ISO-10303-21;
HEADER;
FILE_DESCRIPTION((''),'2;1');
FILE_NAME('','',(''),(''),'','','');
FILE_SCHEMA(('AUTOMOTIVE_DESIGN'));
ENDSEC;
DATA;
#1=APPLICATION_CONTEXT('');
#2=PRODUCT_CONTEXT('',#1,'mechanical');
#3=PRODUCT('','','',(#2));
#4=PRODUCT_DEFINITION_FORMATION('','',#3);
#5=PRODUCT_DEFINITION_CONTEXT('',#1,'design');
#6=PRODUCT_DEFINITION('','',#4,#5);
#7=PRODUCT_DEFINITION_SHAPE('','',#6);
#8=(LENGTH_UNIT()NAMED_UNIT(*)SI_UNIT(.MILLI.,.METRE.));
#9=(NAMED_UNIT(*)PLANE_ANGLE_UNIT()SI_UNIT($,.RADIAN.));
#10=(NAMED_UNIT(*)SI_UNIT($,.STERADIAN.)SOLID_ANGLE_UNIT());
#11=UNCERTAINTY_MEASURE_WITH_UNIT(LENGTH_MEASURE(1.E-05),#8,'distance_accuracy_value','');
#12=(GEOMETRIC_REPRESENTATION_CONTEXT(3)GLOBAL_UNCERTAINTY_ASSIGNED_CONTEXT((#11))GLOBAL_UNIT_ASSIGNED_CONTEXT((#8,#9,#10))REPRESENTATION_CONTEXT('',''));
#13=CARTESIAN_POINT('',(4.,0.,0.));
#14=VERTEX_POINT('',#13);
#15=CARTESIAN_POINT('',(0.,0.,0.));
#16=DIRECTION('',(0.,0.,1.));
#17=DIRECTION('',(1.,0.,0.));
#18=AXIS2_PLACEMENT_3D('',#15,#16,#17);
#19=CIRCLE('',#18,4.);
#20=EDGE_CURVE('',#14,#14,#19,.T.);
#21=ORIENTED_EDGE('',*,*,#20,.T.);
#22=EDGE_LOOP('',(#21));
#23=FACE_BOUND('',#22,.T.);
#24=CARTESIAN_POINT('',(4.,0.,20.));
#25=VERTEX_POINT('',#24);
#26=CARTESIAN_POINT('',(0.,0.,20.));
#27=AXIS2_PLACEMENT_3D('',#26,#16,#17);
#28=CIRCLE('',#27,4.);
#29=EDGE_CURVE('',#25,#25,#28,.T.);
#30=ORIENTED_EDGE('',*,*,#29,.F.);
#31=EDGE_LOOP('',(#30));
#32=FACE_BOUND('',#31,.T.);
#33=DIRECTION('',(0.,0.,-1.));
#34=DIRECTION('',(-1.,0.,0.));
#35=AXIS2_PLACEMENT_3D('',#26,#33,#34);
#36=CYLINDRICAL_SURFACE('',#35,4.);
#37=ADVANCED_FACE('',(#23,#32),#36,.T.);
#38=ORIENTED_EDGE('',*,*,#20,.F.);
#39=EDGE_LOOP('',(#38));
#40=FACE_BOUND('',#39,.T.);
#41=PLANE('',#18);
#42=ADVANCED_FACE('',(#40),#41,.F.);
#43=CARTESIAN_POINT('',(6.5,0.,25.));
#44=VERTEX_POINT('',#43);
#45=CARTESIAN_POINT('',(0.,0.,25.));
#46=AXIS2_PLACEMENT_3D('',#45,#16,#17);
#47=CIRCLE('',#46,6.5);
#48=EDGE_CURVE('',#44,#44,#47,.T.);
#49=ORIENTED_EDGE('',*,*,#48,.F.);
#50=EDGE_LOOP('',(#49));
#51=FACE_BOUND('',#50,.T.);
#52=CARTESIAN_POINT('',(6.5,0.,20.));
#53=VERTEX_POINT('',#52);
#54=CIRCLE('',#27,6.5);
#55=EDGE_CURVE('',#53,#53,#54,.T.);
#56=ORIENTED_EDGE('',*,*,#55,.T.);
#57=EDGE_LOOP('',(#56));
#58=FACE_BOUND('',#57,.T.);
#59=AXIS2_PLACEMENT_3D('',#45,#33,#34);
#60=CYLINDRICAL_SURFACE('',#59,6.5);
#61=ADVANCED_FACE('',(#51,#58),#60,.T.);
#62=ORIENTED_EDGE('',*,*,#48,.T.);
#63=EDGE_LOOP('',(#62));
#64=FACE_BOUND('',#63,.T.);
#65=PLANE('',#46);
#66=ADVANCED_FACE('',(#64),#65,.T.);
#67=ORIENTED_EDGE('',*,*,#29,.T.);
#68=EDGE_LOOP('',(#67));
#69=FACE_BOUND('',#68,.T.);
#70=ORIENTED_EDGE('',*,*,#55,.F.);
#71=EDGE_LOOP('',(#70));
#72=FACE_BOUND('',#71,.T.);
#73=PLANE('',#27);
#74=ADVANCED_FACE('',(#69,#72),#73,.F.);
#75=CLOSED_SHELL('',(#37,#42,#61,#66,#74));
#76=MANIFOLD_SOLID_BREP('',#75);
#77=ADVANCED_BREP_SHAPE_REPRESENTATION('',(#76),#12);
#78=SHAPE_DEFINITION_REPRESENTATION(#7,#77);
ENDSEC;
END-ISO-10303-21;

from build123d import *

# Parameters (mm, degrees)
ESQUISSE1_R        = 4
BOSS_EXTRU_1_DEPTH = 20
ESQUISSE2_R        = 6.5
BOSS_EXTRU_2_DEPTH = 5


with BuildPart() as part:
    # Esquisse1 → Boss.-Extru.1 (new body)
    with BuildSketch(Plane.XY):
        Circle(ESQUISSE1_R)
    extrude(amount=BOSS_EXTRU_1_DEPTH)

    # Esquisse2 → Boss.-Extru.2 (add)
    with BuildSketch(Plane.XY.offset(20)):
        Circle(ESQUISSE2_R)
    extrude(amount=BOSS_EXTRU_2_DEPTH)


solid = part.part
